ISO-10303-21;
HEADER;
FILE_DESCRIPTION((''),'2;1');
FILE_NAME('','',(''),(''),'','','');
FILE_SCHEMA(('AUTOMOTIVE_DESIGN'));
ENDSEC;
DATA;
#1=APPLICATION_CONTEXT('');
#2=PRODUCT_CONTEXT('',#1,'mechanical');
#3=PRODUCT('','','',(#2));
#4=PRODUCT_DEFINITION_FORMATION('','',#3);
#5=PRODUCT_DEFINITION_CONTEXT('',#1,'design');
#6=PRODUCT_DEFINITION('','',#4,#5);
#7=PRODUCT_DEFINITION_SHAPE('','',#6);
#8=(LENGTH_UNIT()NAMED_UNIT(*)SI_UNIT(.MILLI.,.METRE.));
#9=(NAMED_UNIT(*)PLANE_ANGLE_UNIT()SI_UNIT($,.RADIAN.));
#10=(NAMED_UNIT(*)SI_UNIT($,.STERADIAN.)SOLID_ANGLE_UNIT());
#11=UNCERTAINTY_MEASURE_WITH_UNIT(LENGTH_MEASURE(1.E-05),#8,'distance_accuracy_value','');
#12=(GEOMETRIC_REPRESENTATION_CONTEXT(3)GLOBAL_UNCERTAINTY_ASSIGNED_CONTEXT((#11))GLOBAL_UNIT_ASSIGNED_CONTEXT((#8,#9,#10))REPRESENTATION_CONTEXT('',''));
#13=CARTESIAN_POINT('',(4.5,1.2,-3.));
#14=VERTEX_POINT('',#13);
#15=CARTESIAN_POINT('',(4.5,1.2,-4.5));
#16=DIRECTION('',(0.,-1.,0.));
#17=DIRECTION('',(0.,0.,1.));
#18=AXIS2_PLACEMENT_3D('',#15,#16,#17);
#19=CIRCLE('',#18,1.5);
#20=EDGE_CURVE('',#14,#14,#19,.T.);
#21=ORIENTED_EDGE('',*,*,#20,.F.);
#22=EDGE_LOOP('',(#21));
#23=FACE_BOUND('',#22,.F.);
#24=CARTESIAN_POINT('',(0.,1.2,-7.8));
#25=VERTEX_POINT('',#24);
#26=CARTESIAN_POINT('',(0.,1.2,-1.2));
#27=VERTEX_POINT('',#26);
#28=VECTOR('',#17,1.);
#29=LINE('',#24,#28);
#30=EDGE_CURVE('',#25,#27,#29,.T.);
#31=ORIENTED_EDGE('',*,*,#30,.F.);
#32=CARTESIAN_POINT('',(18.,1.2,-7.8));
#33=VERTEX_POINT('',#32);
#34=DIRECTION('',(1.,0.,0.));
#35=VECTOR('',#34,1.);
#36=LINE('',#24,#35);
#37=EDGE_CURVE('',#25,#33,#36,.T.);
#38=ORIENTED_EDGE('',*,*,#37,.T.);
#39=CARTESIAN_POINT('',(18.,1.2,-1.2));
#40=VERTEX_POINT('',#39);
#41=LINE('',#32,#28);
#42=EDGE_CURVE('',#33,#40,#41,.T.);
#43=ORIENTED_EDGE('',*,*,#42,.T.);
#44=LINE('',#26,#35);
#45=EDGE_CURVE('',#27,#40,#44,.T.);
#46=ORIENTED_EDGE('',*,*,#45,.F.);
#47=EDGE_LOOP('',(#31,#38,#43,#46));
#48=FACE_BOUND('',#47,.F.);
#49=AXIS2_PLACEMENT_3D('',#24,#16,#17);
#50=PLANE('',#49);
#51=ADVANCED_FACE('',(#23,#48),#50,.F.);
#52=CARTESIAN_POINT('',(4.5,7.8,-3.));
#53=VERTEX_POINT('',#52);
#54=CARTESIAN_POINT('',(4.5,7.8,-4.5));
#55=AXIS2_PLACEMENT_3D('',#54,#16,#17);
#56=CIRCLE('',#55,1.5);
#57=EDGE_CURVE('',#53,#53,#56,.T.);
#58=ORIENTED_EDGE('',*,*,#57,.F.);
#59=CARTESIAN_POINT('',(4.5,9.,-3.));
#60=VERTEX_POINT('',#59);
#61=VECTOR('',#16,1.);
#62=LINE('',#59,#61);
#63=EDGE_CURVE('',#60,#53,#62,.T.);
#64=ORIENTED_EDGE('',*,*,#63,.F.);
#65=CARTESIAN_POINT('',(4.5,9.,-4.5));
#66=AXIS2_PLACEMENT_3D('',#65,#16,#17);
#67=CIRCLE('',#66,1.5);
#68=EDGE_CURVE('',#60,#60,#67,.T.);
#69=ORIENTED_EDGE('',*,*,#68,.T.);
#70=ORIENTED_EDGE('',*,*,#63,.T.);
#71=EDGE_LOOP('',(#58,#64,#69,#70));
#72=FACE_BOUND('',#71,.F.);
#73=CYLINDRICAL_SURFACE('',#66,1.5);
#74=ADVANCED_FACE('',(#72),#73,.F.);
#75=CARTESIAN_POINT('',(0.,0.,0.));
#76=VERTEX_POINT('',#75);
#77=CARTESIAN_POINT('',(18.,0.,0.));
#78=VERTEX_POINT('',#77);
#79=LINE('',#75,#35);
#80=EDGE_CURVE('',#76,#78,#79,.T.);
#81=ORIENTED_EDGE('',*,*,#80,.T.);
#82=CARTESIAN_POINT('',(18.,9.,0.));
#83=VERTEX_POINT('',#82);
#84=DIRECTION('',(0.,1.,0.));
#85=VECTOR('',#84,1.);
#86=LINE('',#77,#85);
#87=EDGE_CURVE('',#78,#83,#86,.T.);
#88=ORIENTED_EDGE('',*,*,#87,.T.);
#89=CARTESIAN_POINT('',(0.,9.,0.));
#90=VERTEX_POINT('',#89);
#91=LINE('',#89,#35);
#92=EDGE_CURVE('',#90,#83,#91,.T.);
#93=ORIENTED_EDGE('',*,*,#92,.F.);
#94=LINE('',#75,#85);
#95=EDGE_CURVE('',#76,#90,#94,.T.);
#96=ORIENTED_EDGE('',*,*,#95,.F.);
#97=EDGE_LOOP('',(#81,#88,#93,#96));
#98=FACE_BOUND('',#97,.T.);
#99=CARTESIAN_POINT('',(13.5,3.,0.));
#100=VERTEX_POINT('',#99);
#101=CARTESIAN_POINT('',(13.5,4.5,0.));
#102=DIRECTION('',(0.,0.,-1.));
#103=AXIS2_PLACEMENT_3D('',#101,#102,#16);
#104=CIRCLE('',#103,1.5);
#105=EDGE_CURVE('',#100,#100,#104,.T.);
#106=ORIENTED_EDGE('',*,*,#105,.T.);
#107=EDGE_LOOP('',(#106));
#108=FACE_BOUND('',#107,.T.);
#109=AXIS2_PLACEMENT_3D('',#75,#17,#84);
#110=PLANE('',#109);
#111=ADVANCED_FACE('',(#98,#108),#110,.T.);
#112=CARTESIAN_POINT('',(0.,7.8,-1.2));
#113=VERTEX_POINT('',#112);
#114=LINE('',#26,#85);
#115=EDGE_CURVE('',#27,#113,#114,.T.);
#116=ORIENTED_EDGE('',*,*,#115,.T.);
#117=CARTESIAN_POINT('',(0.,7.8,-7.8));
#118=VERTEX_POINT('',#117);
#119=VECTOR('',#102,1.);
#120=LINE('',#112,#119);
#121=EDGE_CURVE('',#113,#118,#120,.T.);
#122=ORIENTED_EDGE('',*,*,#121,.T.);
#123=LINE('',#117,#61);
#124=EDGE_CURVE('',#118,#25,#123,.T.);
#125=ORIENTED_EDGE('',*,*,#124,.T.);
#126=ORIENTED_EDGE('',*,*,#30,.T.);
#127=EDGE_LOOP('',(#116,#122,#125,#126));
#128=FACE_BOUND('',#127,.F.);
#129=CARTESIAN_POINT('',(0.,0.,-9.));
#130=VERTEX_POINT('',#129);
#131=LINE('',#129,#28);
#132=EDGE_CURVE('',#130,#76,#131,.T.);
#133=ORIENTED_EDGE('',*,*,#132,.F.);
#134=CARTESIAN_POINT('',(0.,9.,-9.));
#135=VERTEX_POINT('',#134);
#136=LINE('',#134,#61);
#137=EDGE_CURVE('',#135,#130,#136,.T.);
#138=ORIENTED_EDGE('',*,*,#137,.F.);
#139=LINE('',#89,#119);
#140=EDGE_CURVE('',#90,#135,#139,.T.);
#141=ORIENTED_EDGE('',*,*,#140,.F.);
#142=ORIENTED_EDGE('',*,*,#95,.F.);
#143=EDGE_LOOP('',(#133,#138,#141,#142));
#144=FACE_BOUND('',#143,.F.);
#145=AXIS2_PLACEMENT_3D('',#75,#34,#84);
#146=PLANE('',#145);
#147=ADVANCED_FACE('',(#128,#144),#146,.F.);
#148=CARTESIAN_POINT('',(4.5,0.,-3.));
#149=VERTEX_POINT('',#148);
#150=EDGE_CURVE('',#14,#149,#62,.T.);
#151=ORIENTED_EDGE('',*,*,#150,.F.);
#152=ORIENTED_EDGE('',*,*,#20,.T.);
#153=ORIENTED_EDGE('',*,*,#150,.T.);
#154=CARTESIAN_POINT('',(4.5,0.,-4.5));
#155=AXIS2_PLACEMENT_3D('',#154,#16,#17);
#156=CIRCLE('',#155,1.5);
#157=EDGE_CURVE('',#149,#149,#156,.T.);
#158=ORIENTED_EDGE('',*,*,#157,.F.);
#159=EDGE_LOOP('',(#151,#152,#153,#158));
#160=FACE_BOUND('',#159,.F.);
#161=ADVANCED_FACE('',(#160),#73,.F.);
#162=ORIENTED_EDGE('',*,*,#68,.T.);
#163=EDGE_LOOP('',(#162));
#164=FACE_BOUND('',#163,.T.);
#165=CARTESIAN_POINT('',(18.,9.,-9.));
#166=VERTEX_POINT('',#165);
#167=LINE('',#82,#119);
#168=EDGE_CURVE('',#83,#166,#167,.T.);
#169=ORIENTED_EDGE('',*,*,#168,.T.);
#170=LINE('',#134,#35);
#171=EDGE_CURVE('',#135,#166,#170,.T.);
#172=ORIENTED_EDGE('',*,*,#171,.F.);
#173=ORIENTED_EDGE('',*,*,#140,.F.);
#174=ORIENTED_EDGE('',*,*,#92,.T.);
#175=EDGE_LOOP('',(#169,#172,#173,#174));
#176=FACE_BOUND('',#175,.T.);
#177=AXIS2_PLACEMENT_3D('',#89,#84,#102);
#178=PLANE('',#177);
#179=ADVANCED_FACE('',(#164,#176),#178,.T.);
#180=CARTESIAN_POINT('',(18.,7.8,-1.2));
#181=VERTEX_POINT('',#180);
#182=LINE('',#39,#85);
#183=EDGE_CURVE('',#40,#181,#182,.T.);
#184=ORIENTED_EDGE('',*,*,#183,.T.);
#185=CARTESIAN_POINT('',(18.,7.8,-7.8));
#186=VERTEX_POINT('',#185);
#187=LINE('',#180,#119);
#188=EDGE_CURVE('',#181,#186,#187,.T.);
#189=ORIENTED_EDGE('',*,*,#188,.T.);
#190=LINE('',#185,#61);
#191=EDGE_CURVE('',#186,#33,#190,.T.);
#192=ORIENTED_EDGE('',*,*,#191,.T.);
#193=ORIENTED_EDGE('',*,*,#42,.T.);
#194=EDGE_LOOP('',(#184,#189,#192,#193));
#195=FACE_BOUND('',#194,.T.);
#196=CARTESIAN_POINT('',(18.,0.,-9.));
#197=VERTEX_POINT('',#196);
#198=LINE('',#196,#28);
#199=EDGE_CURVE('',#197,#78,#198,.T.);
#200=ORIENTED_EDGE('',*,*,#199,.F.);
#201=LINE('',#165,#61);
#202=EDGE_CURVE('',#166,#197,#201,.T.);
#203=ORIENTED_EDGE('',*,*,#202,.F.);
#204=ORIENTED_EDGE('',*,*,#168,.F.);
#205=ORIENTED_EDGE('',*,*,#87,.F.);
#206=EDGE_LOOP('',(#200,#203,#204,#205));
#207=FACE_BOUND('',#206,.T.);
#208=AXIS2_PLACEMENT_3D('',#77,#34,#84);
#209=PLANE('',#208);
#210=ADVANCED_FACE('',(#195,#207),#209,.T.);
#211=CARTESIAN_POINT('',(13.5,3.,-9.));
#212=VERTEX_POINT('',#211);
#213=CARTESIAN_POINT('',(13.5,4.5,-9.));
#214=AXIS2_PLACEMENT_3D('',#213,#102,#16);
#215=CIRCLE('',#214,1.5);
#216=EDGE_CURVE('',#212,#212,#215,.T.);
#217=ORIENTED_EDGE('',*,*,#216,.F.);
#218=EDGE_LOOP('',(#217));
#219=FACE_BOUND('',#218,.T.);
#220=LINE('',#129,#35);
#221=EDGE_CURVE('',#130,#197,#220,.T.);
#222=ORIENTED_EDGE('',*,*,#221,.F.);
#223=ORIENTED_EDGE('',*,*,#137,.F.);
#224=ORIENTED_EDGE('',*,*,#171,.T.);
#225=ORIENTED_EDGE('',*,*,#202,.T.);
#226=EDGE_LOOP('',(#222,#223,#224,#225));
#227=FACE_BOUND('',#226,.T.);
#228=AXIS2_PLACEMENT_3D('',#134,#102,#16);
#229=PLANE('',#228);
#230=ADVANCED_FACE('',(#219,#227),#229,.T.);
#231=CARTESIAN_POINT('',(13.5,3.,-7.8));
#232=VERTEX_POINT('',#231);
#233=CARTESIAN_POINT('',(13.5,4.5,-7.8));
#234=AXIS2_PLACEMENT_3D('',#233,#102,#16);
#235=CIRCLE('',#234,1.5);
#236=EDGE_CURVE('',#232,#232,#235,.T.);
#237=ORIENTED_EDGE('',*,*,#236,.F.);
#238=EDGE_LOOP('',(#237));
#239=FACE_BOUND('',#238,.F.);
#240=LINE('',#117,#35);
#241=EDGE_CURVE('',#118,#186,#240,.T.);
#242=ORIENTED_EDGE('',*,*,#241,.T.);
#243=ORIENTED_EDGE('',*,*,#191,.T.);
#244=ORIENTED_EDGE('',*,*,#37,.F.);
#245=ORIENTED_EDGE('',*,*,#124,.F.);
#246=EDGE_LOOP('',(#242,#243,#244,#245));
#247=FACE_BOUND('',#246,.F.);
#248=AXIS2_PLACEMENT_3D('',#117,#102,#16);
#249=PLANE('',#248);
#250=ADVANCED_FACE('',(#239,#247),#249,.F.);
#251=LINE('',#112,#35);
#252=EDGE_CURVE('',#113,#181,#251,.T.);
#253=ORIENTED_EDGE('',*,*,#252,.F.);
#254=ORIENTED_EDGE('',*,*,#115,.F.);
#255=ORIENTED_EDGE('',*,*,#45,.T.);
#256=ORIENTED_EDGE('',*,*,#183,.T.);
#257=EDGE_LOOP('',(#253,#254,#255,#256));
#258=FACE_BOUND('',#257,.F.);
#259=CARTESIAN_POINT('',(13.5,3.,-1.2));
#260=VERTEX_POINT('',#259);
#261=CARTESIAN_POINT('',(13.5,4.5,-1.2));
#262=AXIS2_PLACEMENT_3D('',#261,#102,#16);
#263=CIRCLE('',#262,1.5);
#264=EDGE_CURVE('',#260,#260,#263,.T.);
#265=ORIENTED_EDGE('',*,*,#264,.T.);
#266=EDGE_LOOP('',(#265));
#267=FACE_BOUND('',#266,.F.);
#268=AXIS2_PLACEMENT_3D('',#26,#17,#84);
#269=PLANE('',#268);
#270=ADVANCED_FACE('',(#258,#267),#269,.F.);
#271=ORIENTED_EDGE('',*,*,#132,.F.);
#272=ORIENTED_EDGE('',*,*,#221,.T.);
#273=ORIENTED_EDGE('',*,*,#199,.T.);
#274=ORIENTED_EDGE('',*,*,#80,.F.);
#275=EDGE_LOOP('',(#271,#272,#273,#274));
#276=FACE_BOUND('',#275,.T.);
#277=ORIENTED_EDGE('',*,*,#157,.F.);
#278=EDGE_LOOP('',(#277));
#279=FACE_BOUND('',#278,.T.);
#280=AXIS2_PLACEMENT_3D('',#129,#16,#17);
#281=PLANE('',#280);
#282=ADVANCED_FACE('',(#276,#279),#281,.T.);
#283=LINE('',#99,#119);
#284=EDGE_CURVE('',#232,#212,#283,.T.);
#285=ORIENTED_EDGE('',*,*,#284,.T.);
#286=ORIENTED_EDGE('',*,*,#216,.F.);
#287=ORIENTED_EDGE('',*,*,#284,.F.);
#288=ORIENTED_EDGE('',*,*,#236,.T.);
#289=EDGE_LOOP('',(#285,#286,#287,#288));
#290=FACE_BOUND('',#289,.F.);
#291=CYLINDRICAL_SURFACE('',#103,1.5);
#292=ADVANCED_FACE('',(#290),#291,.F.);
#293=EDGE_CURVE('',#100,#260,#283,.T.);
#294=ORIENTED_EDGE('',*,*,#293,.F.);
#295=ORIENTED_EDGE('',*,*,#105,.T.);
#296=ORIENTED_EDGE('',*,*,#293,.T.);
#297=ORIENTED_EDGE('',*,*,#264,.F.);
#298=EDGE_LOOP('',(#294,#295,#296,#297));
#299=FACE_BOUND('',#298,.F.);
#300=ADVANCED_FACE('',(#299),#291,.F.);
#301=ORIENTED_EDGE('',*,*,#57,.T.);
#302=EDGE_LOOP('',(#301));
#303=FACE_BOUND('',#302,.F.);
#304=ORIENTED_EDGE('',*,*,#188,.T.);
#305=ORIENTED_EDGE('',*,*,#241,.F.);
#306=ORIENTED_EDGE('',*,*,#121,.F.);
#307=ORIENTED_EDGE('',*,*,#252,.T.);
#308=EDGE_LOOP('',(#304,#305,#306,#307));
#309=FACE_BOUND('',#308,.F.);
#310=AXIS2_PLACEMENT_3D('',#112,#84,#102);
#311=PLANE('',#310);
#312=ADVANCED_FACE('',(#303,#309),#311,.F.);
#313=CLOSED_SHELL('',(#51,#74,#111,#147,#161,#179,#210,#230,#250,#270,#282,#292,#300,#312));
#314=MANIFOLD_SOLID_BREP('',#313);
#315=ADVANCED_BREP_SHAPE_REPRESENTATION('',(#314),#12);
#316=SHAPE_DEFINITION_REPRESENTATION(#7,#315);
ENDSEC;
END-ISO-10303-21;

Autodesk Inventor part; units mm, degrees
ref_plane "YZ Plane" through (0, 0, 0) normal (1, 0, 0) x (0, 1, 0)
ref_plane "XZ Plane" through (0, 0, 0) normal (0, 1, 0) x (-1, 0, 0)
ref_plane "XY Plane" through (0, 0, 0) normal (0, 0, 1) x (1, 0, 0)
sketch "スケッチ1" plane through (0, 0, 0) normal (1, 0, 0) x (0, 1, 0)
  line L0 (0, 0) -> (9, 0)
  line L1 (9, 0) -> (9, -9)
  line L2 (9, -9) -> (0, -9)
  line L3 (0, -9) -> (0, 0)
  line L4 (1.2, -1.2) -> (7.8, -1.2)
  line L5 (7.8, -1.2) -> (7.8, -7.8)
  line L6 (7.8, -7.8) -> (1.2, -7.8)
  line L7 (1.2, -7.8) -> (1.2, -1.2)
  dimension "d0" = 9
  dimension "d1" = 9
  dimension "d3" = 1.2
  dimension "d5" = 1.2
  dimension "d6" = 1.2
  dimension "d7" = 1.2
extrude "押し出し1" add sketch "スケッチ1" along normal blind 18
sketch "スケッチ2" plane through (0, 9, 0) normal (0, 1, 0) x (1, 0, 0)
  line L0 (0, 9) -> (0, 0) projected
  line L1 (0, 9) -> (18, 9) projected
  point P0 (4.5, 4.5)
  dimension "d10" = 4.5
  dimension "d11" = 4.5
hole "穴1" at (4.5, 9, -4.5) direction (0, -1, 0) diameter 3 end through all
sketch "スケッチ3" plane through (0, 0, 0) normal (0, 0, 1) x (1, 0, 0)
  line L0 (0, 0) -> (18, 0) projected
  line L1 (0, 9) -> (0, 0) projected
  point P0 (13.5, 4.5)
  dimension "d19" = 4.5
  dimension "d20" = 13.5
hole "穴2" at (13.5, 4.5, 0) direction (0, 0, -1) diameter 3 end through all
equation "\"d5\" = d3"
equation "\"d6\" = d3"
equation "\"d7\" = d3"
properties part number "ロボット回転9x9x18" material "アルミニウム 6061"
